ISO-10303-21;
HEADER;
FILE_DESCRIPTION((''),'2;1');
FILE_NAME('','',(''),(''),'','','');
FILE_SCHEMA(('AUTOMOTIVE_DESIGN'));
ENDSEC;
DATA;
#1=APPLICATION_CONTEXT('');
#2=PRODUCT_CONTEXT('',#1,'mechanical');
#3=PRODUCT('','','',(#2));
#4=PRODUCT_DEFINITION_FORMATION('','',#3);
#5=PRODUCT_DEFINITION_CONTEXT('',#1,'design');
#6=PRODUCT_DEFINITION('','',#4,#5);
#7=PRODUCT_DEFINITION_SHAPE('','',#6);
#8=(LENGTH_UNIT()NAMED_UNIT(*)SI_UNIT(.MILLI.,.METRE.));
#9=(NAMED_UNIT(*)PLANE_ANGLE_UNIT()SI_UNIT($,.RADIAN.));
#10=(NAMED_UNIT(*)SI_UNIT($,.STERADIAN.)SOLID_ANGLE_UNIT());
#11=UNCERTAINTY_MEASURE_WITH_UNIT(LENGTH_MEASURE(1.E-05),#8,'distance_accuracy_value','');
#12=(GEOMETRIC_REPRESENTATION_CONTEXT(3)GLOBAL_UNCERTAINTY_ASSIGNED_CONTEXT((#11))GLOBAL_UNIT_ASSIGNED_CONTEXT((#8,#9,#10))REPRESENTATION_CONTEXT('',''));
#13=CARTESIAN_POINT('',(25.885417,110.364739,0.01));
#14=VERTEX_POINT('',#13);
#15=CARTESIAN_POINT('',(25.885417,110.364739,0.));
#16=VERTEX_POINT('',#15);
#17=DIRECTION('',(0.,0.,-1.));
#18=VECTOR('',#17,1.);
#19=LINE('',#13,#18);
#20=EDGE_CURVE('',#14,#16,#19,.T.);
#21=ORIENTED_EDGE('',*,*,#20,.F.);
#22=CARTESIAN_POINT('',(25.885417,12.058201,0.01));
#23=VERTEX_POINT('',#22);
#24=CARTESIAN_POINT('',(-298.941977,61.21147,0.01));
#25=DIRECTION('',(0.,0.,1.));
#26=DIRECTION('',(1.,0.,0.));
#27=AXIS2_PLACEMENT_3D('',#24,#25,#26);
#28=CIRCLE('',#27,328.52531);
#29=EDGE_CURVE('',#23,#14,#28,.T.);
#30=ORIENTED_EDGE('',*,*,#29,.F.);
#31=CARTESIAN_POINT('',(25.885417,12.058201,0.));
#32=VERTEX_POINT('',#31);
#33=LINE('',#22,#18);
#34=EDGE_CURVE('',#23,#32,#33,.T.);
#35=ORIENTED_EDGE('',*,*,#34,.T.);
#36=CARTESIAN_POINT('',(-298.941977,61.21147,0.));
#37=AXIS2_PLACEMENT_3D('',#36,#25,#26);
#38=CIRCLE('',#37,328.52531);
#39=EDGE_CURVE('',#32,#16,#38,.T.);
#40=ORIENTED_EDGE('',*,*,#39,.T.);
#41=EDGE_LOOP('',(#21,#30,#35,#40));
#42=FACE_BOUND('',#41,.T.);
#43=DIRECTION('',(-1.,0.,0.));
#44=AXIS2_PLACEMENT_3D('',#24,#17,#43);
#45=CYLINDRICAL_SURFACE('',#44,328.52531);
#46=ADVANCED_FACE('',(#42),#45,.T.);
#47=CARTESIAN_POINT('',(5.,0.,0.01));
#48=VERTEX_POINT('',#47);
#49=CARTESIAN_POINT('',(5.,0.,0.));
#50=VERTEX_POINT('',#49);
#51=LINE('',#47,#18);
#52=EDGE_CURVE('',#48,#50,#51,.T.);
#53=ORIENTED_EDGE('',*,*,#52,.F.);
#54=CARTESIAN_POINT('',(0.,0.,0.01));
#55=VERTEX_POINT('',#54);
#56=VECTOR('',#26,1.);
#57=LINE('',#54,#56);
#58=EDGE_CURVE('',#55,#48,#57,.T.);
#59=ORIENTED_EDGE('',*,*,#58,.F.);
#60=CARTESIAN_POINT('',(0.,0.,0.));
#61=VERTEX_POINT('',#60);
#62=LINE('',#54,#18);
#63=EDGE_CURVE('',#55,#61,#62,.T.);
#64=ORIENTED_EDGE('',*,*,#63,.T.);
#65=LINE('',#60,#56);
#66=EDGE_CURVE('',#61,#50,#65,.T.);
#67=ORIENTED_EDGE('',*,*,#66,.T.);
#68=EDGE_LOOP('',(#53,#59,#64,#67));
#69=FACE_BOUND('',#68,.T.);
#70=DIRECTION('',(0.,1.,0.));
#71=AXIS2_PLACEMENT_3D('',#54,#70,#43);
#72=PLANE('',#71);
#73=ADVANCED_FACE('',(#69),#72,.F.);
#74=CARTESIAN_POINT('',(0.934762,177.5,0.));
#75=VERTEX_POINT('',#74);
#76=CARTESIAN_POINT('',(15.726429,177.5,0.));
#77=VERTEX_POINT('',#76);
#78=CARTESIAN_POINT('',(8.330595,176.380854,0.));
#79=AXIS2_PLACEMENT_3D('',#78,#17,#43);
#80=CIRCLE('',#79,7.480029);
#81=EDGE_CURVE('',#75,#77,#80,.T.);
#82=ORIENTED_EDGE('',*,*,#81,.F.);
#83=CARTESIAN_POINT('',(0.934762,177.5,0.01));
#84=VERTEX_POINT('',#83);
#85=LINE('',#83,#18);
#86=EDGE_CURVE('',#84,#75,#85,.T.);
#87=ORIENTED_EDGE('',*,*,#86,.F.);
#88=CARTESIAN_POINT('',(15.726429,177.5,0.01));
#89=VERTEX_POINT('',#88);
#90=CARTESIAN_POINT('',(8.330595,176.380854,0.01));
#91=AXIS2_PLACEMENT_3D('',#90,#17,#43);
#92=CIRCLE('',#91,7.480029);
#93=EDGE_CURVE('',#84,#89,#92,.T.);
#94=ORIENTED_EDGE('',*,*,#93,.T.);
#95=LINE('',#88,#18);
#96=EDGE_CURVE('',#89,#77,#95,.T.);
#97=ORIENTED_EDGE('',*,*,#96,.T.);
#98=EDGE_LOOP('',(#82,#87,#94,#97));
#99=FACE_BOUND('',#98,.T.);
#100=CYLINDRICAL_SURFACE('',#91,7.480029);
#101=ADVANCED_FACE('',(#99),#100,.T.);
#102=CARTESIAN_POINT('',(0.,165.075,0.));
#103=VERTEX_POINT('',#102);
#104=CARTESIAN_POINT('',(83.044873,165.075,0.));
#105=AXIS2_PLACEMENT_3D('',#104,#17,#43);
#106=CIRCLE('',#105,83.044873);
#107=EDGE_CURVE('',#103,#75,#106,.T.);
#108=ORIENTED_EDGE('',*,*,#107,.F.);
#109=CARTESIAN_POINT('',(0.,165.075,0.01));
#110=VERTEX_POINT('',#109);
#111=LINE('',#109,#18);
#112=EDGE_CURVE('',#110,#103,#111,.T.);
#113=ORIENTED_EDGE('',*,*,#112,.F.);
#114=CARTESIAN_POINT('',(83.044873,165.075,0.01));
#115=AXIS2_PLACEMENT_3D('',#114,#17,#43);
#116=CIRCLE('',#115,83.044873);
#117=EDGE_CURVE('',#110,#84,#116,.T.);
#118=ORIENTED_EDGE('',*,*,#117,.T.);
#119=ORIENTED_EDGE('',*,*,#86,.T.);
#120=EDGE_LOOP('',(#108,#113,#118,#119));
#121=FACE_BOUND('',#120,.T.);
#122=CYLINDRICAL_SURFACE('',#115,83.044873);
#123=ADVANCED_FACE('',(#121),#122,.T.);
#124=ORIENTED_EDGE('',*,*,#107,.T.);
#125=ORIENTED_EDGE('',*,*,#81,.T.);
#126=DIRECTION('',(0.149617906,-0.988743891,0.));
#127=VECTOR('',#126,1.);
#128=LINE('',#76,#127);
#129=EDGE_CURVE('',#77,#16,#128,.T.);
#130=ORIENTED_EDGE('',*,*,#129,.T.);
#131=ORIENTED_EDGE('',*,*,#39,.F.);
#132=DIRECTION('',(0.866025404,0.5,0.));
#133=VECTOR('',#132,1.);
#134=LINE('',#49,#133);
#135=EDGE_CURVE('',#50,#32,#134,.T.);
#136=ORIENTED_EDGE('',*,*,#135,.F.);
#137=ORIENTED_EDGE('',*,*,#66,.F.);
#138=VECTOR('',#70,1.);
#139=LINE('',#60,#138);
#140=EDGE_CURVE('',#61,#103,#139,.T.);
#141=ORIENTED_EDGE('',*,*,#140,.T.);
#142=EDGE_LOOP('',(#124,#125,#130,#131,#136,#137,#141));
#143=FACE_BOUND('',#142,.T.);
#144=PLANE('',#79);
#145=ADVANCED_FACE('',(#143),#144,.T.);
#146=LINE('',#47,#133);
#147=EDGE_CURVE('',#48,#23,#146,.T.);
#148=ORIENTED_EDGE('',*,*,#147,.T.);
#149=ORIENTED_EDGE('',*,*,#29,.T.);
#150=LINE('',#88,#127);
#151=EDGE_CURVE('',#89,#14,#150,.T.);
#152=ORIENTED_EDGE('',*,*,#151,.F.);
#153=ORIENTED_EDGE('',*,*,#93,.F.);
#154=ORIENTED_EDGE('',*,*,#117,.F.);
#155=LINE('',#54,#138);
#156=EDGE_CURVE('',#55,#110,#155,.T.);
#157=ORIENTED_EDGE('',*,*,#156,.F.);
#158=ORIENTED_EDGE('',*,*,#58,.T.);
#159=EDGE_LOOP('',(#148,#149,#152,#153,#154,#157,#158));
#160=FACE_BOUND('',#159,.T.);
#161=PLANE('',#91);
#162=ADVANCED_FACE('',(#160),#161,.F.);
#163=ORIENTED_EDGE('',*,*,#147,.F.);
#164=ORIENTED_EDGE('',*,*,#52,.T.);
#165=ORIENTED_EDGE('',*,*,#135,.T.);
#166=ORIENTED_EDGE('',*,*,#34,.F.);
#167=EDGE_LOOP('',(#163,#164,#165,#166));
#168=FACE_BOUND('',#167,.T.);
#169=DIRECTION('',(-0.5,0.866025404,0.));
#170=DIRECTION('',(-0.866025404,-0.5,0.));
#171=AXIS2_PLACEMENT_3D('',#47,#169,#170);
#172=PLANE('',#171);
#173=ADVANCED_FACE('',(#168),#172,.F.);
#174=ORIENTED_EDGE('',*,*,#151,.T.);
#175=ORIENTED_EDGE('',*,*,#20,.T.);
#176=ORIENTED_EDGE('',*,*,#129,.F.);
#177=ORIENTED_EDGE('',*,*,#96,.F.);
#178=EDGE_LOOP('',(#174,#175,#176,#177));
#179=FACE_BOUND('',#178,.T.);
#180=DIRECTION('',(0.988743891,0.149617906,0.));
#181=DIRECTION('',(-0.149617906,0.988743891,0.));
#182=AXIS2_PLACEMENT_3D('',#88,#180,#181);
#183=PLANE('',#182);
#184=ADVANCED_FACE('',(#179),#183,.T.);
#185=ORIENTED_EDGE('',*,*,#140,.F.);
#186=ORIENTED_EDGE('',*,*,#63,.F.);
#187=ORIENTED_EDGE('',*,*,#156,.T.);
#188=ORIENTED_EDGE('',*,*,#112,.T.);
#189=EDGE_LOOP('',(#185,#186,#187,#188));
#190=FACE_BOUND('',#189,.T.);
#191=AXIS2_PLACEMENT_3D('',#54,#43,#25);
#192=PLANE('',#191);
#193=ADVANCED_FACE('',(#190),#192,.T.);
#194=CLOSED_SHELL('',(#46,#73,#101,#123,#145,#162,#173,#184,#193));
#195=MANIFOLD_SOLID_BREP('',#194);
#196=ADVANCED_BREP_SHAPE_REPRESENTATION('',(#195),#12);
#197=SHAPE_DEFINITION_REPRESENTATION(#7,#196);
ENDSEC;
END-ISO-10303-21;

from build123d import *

# Parameters (mm, degrees)
BOSS_EXTRUDE1_DEPTH = 0.01


with BuildPart() as part:
    # Sketch1 → Boss-Extrude1 (new body)
    with BuildSketch(Plane(origin=(0, 0, 0), x_dir=(0, 1, 0), z_dir=(0, 0, 1))):
        with BuildLine():
            Line((0, 0), (165.075, 0))
            ThreePointArc((165.075, 0), (171.305056285, -0.234020268), (177.5, -0.934762134))
            ThreePointArc((177.5, -0.934762134), (183.860883028, -8.330595467), (177.5, -15.7264288))
            Line((177.5, -15.7264288), (110.364738881, -25.885416667))
            ThreePointArc((110.364738881, -25.885416667), (61.211469908, -29.583333333), (12.058200935, -25.885416667))
            Line((12.058200935, -25.885416667), (0, -5))
            Line((0, -5), (0, 0))
        make_face()
    extrude(amount=BOSS_EXTRUDE1_DEPTH)


solid = part.part
